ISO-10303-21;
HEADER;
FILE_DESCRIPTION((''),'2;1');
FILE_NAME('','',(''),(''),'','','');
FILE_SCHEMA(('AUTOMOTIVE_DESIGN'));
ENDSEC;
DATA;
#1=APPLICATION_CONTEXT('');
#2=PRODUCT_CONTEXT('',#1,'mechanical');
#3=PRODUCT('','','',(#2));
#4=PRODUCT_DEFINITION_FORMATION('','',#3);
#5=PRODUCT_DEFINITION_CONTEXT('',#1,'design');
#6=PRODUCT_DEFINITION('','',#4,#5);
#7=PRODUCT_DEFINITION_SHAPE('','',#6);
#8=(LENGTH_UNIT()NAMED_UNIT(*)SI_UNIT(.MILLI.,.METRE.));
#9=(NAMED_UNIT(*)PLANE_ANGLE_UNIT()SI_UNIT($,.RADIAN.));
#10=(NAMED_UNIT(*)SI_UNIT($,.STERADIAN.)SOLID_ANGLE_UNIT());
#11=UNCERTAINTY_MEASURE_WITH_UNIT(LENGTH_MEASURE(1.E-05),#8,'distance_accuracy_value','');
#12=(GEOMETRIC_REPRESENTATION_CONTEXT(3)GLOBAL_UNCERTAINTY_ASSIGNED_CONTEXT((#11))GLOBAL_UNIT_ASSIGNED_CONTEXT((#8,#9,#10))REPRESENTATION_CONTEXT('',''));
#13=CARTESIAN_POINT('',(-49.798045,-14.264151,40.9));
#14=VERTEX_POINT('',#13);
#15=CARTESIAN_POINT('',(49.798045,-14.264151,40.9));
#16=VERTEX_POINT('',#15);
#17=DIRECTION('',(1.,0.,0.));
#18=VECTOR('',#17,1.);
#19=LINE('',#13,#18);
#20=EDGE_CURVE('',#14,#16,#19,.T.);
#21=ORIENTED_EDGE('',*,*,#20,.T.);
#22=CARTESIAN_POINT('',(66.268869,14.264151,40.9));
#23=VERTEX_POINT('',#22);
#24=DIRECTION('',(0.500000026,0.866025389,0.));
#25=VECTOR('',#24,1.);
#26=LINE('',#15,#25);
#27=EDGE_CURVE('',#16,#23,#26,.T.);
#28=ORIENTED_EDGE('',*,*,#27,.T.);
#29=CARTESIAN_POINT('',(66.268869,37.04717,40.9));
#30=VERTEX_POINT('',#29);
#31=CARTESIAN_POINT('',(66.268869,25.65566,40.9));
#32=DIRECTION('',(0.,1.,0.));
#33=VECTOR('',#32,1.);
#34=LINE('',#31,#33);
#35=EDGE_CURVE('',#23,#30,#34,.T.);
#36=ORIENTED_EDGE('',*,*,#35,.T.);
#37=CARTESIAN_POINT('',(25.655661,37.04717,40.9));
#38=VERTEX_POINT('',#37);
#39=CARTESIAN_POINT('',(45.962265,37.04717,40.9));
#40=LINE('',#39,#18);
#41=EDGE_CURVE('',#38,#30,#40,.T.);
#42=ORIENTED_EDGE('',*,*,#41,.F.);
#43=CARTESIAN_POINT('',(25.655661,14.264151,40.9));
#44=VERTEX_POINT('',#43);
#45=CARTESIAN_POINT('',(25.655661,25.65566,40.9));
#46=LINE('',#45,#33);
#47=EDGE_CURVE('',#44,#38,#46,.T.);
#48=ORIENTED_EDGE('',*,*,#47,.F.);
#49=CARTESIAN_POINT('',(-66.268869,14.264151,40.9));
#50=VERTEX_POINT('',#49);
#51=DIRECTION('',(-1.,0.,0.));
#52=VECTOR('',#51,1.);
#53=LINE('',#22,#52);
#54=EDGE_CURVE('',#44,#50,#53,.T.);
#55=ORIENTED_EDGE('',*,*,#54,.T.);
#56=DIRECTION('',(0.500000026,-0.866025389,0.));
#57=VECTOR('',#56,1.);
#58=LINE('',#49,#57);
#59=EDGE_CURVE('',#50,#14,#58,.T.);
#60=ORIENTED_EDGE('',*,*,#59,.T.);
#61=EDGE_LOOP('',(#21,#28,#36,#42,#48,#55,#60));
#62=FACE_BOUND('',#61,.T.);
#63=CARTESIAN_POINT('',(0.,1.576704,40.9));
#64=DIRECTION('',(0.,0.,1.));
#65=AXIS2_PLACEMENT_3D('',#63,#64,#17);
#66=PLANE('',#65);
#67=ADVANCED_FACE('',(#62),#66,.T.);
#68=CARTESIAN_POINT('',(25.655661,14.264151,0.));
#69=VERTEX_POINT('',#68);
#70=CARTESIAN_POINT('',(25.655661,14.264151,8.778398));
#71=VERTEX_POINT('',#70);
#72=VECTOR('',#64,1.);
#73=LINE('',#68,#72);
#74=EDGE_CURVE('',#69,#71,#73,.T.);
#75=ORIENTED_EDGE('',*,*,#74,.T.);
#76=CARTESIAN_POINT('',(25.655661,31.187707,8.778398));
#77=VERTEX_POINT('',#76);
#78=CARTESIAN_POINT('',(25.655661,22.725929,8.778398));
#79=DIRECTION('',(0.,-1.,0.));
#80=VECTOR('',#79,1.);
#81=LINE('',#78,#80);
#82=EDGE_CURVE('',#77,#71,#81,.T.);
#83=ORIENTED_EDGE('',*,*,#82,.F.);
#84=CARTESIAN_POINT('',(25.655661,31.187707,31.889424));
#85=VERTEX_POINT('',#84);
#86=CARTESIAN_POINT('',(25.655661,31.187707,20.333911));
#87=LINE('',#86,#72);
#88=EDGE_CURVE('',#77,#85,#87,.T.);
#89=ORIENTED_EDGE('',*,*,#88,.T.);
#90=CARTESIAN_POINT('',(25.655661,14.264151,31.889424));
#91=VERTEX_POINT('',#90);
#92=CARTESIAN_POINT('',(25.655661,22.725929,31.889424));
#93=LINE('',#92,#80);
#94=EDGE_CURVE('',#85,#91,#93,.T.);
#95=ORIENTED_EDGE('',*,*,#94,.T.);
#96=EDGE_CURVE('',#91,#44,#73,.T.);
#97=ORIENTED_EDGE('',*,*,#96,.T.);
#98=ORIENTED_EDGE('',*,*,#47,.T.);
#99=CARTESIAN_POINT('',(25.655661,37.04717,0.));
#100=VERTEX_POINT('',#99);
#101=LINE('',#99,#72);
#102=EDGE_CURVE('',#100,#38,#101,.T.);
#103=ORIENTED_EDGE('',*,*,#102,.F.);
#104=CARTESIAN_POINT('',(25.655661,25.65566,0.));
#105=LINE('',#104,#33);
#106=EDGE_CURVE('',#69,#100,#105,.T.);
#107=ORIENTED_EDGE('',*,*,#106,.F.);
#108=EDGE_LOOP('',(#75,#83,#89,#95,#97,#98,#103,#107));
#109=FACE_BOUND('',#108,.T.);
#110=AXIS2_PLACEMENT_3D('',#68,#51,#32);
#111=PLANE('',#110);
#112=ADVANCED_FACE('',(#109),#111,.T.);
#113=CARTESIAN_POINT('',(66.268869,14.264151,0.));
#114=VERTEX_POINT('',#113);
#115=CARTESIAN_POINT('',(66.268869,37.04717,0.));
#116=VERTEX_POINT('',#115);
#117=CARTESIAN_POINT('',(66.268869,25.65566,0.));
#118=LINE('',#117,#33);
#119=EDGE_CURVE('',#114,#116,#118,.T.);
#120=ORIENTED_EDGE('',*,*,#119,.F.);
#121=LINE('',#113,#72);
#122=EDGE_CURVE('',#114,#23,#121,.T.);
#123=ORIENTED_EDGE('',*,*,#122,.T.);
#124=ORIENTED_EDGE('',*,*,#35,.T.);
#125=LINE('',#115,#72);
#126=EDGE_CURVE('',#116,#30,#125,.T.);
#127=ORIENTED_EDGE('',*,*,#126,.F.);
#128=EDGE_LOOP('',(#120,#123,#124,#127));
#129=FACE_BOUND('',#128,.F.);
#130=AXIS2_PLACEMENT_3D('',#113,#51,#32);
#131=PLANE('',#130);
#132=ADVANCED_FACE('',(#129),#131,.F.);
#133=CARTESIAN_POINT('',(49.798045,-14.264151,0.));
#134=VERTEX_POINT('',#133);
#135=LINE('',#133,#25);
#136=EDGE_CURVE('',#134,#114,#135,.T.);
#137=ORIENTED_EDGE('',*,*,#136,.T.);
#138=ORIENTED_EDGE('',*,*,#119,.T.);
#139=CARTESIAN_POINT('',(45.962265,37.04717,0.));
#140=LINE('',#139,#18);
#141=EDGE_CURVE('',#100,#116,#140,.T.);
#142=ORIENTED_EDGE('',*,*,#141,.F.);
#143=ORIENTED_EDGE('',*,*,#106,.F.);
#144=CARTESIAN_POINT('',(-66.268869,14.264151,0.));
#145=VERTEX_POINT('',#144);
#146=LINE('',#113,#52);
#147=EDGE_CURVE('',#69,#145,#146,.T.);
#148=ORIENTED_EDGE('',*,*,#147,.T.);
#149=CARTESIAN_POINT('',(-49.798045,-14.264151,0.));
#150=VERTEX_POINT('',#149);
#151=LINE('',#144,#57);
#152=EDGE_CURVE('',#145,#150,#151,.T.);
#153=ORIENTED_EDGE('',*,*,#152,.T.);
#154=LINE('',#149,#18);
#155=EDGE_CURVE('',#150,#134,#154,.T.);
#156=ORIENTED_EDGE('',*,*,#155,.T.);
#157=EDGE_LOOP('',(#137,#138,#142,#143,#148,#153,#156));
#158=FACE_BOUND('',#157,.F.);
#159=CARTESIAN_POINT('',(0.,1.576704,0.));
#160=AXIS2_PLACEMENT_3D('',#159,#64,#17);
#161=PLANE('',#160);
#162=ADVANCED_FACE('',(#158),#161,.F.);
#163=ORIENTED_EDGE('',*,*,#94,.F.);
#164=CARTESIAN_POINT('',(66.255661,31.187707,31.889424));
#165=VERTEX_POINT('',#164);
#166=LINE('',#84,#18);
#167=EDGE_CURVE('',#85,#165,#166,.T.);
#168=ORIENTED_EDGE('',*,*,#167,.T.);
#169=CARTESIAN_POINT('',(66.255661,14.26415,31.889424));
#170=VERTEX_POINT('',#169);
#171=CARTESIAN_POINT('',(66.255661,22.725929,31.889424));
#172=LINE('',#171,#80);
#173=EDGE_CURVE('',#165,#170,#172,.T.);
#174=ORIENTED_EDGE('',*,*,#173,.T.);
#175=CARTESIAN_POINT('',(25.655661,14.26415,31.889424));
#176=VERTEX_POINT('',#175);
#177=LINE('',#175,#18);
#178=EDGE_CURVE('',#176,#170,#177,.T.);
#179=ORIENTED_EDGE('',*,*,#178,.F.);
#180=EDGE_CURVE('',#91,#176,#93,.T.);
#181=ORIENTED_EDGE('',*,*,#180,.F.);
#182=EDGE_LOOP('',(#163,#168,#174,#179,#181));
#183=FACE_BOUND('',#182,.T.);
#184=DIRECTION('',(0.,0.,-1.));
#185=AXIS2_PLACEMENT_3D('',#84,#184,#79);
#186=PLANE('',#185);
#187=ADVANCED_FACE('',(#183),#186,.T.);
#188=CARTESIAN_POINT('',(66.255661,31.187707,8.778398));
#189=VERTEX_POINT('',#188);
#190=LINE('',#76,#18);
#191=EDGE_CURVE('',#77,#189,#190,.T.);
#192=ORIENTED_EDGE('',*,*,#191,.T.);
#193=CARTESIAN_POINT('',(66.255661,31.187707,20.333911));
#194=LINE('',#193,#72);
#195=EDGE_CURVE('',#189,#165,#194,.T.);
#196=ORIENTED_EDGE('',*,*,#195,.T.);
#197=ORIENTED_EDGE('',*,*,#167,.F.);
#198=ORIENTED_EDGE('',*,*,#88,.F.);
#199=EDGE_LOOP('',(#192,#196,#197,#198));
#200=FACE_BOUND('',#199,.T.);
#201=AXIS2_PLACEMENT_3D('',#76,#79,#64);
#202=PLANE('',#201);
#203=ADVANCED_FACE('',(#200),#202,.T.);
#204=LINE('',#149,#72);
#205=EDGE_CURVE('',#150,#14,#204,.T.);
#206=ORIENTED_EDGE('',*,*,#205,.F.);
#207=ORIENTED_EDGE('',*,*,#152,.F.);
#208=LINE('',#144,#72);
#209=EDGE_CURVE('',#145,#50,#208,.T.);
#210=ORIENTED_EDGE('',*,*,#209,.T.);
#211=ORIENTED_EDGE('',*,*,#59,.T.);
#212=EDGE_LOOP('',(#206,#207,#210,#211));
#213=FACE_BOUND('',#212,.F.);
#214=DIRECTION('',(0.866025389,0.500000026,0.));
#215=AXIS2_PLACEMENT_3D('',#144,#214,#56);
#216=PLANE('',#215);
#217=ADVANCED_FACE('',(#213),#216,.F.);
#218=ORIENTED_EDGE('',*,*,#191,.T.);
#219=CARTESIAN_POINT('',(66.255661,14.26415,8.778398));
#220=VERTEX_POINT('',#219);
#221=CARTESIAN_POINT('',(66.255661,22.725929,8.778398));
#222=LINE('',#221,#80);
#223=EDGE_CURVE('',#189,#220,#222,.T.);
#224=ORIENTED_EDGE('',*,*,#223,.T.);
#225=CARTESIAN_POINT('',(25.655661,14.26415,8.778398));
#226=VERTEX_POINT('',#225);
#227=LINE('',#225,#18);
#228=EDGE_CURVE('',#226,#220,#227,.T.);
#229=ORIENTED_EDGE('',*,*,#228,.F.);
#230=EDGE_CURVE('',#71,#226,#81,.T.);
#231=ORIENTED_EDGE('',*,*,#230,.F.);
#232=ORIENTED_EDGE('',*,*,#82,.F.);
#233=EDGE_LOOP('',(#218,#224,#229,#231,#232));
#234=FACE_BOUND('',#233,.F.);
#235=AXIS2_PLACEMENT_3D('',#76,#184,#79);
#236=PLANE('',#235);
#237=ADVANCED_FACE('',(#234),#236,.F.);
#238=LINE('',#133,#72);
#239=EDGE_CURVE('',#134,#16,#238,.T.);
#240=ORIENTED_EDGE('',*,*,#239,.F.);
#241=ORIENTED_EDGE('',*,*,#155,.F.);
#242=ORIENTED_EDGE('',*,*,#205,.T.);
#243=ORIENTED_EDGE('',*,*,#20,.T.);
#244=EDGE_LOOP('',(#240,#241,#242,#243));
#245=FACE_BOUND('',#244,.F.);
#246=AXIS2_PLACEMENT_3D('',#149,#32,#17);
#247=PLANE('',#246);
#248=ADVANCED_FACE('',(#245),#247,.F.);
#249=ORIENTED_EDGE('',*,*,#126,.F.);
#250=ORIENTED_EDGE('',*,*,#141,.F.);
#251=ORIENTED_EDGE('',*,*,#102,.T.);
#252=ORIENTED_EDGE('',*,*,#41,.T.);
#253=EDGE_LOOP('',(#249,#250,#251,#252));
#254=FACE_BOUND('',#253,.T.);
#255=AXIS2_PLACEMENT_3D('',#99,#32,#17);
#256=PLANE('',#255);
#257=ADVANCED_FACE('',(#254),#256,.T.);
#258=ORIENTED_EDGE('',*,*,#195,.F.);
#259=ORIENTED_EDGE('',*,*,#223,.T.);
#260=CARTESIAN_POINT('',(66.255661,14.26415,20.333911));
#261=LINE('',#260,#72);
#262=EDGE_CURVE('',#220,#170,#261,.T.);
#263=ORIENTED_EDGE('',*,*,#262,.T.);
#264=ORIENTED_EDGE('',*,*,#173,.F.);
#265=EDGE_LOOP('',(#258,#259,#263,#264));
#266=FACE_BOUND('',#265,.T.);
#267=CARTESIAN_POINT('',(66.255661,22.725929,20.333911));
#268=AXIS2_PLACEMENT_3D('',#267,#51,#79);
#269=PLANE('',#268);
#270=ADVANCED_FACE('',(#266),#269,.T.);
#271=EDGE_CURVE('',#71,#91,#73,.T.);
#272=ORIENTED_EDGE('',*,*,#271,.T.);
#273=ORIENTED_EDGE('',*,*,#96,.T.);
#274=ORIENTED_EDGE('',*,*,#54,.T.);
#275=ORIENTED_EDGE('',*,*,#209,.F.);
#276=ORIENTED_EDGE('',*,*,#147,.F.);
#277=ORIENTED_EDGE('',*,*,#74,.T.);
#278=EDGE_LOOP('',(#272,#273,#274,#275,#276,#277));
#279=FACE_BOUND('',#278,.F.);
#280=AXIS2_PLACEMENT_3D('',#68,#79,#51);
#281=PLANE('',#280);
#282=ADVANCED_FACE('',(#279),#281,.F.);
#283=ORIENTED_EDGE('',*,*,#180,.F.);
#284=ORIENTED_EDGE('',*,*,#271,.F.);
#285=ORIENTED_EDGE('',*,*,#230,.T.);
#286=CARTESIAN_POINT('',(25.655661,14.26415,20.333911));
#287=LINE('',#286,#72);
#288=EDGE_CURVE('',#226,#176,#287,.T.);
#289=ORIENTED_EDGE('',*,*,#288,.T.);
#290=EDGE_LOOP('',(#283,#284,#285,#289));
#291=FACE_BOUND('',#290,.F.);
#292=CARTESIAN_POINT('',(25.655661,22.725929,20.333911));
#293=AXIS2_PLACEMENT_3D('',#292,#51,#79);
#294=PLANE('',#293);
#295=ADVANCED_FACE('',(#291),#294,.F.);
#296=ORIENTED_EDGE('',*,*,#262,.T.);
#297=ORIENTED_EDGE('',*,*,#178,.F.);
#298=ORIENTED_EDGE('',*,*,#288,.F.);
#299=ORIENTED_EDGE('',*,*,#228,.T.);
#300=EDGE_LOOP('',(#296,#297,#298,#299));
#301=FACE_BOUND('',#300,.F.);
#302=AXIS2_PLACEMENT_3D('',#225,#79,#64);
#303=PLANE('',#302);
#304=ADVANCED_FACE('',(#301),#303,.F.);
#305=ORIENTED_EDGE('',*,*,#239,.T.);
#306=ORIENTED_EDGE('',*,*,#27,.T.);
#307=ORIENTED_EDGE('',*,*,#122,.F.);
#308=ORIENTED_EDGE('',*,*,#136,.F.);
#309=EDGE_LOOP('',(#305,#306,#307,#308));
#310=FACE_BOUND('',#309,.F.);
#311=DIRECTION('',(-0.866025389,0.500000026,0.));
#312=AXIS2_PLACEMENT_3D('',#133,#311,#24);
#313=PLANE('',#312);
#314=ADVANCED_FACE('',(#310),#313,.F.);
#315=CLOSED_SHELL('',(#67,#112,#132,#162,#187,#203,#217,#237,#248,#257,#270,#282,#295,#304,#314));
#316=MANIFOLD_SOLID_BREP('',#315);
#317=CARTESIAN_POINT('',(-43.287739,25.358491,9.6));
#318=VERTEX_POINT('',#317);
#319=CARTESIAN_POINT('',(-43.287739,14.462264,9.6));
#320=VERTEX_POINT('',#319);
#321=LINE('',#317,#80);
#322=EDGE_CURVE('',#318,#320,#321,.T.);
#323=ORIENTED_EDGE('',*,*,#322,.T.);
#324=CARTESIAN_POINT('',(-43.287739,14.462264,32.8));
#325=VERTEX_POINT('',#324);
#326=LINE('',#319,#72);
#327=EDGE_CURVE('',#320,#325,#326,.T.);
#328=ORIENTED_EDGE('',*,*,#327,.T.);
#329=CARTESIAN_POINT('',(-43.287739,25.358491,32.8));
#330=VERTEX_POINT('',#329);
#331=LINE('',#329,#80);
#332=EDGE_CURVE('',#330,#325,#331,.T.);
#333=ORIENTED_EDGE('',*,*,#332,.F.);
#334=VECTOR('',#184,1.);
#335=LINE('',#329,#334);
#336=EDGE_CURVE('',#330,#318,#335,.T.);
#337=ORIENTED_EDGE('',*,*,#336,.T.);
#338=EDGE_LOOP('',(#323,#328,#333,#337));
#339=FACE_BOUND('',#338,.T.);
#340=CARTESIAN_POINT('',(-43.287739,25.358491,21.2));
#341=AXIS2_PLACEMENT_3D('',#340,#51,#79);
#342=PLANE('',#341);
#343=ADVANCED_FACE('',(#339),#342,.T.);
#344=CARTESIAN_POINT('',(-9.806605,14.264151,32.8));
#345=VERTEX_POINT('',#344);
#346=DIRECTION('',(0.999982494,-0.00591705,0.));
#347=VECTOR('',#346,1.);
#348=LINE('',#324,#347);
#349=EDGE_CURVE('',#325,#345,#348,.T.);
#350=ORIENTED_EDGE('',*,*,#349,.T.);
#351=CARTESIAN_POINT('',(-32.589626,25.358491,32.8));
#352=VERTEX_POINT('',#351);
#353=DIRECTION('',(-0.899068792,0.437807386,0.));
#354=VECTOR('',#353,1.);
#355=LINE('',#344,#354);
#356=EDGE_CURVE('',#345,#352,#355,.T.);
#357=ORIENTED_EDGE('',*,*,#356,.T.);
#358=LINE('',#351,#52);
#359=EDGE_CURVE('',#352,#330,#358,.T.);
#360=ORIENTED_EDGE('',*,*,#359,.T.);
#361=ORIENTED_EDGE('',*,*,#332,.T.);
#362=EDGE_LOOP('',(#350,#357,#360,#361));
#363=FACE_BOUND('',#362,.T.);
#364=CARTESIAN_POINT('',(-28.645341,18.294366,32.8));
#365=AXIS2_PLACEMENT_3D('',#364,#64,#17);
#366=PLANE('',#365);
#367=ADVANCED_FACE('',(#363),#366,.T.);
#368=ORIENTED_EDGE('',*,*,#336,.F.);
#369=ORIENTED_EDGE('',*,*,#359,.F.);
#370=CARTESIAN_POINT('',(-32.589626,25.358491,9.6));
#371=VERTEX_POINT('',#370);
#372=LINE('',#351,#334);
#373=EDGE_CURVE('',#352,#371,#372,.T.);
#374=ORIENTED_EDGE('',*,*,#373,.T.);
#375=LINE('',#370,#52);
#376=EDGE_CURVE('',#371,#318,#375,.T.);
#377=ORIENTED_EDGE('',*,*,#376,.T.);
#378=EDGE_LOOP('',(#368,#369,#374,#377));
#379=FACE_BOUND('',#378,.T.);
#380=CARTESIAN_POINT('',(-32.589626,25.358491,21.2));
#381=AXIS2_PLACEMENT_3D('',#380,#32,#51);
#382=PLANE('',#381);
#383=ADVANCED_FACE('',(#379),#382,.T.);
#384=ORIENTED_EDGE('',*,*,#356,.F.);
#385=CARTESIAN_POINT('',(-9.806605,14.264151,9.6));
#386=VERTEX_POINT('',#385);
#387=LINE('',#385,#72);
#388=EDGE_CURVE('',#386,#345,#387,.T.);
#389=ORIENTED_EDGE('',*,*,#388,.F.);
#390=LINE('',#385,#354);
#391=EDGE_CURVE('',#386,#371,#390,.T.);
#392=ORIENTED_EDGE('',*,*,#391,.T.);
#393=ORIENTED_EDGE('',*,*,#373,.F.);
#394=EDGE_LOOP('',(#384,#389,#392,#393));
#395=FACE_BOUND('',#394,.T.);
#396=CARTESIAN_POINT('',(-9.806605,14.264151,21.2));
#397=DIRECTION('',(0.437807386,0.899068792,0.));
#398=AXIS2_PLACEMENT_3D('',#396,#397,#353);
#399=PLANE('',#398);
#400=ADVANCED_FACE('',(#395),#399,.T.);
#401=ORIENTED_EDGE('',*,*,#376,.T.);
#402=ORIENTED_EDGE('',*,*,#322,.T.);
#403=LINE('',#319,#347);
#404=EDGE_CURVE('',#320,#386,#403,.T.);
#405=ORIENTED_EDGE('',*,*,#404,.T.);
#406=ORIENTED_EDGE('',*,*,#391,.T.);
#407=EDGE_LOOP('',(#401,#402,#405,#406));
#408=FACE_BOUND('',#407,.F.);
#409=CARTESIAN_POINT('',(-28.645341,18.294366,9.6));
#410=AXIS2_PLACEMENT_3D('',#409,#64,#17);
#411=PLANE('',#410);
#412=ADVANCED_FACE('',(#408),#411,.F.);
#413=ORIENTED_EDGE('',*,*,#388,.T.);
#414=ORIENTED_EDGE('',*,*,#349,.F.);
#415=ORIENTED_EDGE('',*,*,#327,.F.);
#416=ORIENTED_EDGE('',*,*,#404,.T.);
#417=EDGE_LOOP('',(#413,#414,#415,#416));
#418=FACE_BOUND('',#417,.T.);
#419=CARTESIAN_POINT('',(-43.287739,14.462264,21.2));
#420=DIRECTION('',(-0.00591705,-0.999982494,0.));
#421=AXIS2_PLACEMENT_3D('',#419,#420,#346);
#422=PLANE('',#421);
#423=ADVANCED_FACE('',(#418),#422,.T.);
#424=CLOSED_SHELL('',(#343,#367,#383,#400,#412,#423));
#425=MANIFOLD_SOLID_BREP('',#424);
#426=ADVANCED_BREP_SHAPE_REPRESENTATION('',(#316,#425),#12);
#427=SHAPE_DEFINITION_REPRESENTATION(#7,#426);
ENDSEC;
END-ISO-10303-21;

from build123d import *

# Parameters (mm, degrees)
F0_W     = 40.613208
F0_H     = 22.783019
F1_DEPTH = 40.9
F4_DEPTH = 11.6
F5_W     = 16.923557
F5_H     = 23.111026
F6_DEPTH = 40.6


with BuildPart() as f1:
    # F0 (on Top) → F1 (new body)
    with BuildSketch(Plane.XY):
        Polygon((25.655661, 14.264151), (-66.268869, 14.264151), (-49.798045, -14.264151), (49.798045, -14.264151), (66.268869, 14.264151), align=None)
        with Locations((45.962265, 25.65566)):
            Rectangle(F0_W, F0_H)
    extrude(amount=F1_DEPTH)

    # F5 (on face) → F6 (cut)
    with BuildSketch(Plane(origin=(25.655661, 0, 0), x_dir=(0, -1, 0), z_dir=(-1, 0, 0))):
        with Locations((-22.725929, 20.333911)):
            Rectangle(F5_W, F5_H)
    extrude(amount=-F6_DEPTH, mode=Mode.SUBTRACT)


with BuildPart() as f4:
    # F3 (on offset) → F4 (new body, symmetric)
    with BuildSketch(Plane.XY.offset(21.2)):
        Polygon((-43.287739, 25.358491), (-43.287739, 14.462264), (-9.806605, 14.264151), (-32.589626, 25.358491), align=None)
    extrude(amount=F4_DEPTH, both=True)


solid = Compound([f1.part, f4.part])
